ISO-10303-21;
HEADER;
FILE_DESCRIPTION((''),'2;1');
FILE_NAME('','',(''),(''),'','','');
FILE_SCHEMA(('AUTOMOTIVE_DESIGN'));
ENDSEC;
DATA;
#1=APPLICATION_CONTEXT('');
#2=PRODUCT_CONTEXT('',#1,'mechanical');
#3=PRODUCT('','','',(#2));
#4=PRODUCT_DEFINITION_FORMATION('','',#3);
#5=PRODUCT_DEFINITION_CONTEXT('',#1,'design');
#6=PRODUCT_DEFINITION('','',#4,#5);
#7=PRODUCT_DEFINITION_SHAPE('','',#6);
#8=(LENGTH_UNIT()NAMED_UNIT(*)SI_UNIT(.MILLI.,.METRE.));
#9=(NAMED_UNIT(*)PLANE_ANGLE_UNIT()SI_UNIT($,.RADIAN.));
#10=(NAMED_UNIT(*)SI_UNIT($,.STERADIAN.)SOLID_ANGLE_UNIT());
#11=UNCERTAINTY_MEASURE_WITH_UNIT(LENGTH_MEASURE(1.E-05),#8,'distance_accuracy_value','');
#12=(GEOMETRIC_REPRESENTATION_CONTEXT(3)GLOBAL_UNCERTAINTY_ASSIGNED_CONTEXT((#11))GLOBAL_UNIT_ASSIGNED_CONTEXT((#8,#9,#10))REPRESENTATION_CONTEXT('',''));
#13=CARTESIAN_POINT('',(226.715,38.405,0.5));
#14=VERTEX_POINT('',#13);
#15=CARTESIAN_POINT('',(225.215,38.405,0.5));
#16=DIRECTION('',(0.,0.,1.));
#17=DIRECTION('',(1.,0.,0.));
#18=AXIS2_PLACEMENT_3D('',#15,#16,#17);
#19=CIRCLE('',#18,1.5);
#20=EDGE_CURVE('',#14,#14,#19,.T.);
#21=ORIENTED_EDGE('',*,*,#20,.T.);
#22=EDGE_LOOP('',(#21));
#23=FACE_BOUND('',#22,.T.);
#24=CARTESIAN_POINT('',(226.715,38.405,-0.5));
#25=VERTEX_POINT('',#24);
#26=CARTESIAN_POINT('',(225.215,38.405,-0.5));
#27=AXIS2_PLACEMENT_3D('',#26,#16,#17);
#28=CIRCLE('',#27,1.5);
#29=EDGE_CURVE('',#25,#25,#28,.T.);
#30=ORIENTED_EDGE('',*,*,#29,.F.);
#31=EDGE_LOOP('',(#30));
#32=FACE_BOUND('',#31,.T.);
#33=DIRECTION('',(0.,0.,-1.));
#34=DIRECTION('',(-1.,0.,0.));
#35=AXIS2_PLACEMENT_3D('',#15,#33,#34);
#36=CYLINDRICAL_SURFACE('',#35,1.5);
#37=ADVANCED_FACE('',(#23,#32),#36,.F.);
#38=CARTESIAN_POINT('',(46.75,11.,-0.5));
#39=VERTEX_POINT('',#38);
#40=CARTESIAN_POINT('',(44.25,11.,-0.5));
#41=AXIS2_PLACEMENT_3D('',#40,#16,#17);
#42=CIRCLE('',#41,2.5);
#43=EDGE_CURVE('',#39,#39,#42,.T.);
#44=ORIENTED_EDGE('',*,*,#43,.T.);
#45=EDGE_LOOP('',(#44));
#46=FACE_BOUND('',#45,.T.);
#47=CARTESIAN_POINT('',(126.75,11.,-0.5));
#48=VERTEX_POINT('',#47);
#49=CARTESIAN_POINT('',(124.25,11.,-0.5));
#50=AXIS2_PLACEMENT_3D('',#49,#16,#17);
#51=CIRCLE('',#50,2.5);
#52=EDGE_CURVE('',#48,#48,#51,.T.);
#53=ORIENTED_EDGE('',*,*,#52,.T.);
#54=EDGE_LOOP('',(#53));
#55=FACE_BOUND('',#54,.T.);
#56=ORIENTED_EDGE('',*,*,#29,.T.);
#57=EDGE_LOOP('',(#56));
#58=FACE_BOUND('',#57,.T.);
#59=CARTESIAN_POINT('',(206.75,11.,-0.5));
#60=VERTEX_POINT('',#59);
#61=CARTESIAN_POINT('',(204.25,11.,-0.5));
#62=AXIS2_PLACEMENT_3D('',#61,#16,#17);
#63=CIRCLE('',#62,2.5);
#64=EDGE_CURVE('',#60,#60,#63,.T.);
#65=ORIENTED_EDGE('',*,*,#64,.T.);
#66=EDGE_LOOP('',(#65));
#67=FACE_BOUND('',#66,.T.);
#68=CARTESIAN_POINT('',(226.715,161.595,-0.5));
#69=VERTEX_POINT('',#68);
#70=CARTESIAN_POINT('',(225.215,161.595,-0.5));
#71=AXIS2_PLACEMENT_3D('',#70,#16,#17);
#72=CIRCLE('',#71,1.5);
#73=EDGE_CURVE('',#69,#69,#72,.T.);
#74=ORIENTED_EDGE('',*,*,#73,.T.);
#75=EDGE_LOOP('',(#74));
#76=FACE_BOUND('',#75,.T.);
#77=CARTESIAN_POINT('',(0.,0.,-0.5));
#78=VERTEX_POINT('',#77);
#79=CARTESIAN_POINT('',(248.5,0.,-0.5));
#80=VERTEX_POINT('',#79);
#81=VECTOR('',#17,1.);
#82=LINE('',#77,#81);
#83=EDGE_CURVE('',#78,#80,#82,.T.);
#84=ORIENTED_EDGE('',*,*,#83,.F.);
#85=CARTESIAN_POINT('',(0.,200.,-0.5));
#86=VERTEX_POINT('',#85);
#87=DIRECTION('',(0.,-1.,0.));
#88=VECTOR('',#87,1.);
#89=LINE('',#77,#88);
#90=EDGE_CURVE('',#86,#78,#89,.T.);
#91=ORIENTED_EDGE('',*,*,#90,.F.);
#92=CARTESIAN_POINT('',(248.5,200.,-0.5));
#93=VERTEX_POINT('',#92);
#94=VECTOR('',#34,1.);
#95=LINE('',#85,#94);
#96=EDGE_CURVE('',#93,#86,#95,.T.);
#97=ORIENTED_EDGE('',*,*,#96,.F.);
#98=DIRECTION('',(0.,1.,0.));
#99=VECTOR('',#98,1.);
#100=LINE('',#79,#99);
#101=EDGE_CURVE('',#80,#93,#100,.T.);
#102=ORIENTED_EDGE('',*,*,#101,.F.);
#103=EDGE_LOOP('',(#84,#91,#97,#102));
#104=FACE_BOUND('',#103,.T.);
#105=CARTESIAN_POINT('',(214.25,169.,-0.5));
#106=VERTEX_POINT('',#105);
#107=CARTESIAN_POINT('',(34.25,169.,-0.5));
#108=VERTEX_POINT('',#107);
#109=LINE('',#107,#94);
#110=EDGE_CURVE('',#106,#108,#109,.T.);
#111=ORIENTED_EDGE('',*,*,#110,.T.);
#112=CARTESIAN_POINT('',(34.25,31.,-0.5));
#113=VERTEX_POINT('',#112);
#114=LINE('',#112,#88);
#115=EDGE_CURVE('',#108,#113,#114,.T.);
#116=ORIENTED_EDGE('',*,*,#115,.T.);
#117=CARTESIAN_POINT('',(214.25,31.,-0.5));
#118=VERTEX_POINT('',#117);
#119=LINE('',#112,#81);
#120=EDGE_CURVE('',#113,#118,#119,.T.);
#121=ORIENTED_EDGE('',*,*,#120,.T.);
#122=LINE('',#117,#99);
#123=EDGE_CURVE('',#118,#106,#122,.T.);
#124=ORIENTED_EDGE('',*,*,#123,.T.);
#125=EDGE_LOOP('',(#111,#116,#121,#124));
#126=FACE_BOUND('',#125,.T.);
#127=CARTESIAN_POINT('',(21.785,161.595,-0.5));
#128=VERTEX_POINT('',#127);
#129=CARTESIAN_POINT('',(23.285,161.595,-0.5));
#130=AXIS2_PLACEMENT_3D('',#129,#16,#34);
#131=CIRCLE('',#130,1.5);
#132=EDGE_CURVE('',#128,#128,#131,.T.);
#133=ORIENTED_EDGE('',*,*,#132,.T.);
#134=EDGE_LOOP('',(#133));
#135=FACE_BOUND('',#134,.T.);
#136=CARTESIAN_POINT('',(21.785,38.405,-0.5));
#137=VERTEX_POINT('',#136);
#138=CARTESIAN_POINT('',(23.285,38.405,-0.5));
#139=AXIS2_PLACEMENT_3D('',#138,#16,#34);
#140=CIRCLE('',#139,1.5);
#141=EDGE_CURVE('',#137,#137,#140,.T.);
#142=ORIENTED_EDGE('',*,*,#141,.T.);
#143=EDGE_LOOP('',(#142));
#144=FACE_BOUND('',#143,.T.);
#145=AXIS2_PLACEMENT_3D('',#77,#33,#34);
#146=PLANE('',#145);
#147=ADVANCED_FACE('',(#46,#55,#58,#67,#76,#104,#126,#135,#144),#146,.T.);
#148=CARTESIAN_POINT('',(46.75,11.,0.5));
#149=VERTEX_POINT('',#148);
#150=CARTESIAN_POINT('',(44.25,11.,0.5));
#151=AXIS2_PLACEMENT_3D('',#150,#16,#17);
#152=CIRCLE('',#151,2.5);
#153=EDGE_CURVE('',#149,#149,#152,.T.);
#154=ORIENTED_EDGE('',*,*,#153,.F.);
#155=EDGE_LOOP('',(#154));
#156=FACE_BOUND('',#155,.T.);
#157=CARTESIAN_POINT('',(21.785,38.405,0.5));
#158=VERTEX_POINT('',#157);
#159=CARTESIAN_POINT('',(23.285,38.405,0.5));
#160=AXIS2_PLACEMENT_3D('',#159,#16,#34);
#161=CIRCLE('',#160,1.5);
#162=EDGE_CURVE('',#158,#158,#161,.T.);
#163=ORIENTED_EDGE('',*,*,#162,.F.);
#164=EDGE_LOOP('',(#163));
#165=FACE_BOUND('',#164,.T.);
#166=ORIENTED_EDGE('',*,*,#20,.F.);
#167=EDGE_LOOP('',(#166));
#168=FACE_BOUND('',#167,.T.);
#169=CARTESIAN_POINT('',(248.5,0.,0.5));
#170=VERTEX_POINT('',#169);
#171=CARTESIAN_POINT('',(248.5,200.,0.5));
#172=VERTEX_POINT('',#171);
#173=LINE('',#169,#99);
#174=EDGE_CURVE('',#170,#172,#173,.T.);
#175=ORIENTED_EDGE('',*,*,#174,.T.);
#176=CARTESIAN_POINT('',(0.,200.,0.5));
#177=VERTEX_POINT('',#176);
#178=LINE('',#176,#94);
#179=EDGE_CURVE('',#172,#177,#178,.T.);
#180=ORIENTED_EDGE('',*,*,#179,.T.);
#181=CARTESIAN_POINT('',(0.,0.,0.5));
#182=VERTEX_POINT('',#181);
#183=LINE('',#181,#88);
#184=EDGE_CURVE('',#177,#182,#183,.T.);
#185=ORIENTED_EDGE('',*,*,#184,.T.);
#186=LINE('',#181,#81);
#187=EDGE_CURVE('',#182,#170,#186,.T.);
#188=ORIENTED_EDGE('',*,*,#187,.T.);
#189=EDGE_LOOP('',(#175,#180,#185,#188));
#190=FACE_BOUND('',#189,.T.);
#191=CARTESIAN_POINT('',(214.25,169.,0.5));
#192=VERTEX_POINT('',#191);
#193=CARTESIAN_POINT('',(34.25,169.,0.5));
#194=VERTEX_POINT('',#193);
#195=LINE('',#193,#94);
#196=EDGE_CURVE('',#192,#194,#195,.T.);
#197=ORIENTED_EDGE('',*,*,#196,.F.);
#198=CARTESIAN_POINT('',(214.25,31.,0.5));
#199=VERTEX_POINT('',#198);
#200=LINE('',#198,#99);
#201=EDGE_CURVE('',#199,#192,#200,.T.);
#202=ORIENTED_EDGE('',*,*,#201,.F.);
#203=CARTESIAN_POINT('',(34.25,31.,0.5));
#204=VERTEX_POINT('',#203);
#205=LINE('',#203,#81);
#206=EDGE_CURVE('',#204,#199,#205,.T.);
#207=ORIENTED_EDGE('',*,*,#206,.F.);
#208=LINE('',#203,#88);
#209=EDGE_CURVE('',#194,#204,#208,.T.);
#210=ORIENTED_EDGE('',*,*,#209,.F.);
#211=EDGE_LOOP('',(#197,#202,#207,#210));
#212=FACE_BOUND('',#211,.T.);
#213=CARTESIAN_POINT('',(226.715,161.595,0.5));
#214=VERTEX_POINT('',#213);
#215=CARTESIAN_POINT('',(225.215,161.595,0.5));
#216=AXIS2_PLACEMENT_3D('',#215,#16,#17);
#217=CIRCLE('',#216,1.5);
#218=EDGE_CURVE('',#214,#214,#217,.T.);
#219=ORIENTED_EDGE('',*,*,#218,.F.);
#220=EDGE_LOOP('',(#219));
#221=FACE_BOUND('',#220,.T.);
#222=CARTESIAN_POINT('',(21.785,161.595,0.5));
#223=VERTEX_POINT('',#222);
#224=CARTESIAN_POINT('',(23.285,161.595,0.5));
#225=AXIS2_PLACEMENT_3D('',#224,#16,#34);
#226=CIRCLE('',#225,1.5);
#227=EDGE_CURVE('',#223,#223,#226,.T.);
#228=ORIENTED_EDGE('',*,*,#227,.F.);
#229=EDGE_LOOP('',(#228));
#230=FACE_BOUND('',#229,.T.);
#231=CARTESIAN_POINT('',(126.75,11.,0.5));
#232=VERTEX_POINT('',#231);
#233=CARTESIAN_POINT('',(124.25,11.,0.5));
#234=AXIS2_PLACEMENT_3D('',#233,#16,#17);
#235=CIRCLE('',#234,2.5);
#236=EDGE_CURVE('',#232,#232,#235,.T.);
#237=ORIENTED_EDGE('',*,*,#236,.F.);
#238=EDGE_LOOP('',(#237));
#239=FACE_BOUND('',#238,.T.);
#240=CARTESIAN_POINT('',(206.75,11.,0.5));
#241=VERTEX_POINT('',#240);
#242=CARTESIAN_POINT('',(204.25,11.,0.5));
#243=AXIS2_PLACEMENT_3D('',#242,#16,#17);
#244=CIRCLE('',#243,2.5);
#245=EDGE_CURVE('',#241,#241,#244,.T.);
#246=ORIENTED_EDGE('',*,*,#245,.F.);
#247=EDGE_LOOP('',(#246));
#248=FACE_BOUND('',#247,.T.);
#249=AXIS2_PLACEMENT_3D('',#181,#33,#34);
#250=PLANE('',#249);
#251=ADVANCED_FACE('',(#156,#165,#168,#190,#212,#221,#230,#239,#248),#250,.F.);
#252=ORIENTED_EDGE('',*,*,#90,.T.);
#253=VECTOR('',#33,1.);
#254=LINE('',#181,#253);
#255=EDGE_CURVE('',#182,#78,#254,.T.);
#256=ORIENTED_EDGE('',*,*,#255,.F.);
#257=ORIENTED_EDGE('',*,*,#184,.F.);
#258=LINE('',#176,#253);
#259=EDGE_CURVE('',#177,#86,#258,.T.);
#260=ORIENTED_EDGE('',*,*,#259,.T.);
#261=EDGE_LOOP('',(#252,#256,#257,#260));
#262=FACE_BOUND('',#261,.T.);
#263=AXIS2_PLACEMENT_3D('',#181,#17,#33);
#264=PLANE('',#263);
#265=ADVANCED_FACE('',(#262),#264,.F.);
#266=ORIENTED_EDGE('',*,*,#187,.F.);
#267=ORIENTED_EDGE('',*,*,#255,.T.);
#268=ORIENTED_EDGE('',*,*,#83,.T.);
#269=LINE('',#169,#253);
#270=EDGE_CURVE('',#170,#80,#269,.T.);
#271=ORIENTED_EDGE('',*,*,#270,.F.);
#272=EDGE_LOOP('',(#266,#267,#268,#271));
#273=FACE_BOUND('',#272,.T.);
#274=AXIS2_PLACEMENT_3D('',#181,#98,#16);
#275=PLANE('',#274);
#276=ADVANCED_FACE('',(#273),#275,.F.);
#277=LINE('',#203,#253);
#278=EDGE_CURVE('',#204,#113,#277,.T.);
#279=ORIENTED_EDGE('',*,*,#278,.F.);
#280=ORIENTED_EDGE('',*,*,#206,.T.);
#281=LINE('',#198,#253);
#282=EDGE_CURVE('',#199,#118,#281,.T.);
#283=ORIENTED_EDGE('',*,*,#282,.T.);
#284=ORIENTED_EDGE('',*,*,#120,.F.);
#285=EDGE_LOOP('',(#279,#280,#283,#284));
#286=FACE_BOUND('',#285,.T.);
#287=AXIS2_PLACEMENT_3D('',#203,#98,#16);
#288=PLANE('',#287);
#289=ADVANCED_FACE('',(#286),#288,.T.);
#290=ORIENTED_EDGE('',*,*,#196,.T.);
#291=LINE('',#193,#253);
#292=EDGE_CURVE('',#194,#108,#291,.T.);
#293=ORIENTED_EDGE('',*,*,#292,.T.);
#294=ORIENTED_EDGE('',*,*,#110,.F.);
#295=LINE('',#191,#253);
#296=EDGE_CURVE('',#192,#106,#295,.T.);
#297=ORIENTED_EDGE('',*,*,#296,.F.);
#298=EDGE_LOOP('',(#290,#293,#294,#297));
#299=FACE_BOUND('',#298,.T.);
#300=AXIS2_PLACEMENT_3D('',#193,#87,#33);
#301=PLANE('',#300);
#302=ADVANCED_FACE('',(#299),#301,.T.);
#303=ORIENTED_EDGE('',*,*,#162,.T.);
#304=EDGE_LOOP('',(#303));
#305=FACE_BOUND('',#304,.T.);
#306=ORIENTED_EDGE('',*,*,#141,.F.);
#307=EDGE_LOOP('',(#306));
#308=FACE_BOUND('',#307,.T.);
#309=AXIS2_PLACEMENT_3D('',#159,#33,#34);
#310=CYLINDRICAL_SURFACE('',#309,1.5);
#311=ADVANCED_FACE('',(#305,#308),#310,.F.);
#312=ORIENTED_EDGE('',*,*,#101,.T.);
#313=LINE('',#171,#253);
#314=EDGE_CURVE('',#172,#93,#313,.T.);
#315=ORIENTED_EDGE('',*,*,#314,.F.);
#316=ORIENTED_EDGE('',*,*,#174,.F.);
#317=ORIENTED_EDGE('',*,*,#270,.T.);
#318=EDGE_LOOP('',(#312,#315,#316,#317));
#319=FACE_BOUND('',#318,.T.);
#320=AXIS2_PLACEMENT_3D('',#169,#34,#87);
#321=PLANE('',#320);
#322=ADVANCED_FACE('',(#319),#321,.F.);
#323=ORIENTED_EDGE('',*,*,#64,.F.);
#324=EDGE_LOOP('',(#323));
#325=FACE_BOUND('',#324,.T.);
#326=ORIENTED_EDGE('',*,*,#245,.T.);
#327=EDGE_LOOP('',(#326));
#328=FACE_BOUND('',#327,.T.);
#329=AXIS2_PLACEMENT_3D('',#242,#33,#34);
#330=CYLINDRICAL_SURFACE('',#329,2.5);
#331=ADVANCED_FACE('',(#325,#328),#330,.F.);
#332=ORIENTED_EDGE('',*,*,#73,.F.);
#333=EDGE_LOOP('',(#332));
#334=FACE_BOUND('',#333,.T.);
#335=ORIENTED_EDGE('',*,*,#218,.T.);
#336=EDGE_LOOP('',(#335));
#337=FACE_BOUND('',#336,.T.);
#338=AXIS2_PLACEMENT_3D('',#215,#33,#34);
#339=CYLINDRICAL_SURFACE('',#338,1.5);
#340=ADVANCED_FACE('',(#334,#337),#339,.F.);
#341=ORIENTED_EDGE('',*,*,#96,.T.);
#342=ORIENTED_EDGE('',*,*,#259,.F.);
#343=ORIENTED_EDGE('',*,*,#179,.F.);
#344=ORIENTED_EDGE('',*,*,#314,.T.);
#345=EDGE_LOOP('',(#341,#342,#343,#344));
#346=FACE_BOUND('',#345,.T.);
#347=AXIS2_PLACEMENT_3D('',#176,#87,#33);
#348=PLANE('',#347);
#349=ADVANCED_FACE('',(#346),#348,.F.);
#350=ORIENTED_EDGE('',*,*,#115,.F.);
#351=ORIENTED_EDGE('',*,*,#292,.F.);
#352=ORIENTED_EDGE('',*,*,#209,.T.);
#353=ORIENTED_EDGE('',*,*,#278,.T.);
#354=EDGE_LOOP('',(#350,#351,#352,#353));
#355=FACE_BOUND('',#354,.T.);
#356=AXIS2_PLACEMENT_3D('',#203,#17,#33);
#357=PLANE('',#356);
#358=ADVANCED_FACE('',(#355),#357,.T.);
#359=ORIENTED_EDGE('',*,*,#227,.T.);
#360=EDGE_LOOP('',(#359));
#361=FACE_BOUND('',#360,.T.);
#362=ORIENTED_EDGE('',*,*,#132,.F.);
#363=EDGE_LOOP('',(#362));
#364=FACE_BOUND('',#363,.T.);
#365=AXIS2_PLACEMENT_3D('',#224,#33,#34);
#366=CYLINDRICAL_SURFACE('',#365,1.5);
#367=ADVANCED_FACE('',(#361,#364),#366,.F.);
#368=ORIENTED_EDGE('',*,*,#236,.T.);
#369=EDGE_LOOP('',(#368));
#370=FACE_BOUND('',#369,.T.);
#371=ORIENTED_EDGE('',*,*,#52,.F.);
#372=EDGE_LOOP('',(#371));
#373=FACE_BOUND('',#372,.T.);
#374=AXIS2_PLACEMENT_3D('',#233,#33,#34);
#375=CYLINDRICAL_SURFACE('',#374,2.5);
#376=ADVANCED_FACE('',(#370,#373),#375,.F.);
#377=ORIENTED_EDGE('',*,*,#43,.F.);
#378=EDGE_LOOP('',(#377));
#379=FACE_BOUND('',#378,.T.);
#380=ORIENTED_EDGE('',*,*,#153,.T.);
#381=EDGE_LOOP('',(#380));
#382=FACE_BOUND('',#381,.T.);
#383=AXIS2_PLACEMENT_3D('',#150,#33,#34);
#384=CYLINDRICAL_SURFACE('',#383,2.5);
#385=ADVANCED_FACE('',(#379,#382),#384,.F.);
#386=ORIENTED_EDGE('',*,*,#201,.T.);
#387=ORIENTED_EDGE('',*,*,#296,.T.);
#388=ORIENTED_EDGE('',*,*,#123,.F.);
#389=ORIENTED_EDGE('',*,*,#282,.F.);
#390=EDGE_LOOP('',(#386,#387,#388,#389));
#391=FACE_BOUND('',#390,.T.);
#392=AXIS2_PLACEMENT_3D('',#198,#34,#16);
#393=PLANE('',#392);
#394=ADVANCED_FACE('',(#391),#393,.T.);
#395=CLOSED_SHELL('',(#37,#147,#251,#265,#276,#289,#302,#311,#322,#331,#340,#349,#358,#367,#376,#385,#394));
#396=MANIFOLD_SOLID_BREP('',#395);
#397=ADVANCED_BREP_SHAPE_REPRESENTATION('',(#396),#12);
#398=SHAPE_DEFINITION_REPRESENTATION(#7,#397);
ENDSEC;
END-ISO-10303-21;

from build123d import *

# Parameters (mm, degrees)
SKETCH_1_W      = 248.5
SKETCH_1_H      = 200
SKETCH_1_R      = 2.5
SKETCH_1_R_2    = 1.5
SKETCH_1_W_2    = 180
SKETCH_1_H_2    = 138
EXTRUDE_1_DEPTH = 0.5


with BuildPart() as part:
    # 스케치1 → 보스-돌출1 (new, symmetric)
    with BuildSketch(Plane.XY):
        with Locations((124.25, 100)):
            Rectangle(SKETCH_1_W, SKETCH_1_H)
        with Locations((124.25, 11)):
            Circle(SKETCH_1_R, mode=Mode.SUBTRACT)
        with Locations((204.25, 11)):
            Circle(SKETCH_1_R, mode=Mode.SUBTRACT)
        with Locations((44.25, 11)):
            Circle(SKETCH_1_R, mode=Mode.SUBTRACT)
        with Locations((225.215, 161.595)):
            Circle(SKETCH_1_R_2, mode=Mode.SUBTRACT)
        with Locations((225.215, 38.405)):
            Circle(SKETCH_1_R_2, mode=Mode.SUBTRACT)
        with Locations(Location((23.285, 38.405, 0), (0, 0, 180))):
            Circle(SKETCH_1_R_2, mode=Mode.SUBTRACT)
        with Locations(Location((23.285, 161.595, 0), (0, 0, 180))):
            Circle(SKETCH_1_R_2, mode=Mode.SUBTRACT)
        with Locations((124.25, 100)):
            Rectangle(SKETCH_1_W_2, SKETCH_1_H_2, mode=Mode.SUBTRACT)
    extrude(amount=EXTRUDE_1_DEPTH, both=True)


solid = part.part
